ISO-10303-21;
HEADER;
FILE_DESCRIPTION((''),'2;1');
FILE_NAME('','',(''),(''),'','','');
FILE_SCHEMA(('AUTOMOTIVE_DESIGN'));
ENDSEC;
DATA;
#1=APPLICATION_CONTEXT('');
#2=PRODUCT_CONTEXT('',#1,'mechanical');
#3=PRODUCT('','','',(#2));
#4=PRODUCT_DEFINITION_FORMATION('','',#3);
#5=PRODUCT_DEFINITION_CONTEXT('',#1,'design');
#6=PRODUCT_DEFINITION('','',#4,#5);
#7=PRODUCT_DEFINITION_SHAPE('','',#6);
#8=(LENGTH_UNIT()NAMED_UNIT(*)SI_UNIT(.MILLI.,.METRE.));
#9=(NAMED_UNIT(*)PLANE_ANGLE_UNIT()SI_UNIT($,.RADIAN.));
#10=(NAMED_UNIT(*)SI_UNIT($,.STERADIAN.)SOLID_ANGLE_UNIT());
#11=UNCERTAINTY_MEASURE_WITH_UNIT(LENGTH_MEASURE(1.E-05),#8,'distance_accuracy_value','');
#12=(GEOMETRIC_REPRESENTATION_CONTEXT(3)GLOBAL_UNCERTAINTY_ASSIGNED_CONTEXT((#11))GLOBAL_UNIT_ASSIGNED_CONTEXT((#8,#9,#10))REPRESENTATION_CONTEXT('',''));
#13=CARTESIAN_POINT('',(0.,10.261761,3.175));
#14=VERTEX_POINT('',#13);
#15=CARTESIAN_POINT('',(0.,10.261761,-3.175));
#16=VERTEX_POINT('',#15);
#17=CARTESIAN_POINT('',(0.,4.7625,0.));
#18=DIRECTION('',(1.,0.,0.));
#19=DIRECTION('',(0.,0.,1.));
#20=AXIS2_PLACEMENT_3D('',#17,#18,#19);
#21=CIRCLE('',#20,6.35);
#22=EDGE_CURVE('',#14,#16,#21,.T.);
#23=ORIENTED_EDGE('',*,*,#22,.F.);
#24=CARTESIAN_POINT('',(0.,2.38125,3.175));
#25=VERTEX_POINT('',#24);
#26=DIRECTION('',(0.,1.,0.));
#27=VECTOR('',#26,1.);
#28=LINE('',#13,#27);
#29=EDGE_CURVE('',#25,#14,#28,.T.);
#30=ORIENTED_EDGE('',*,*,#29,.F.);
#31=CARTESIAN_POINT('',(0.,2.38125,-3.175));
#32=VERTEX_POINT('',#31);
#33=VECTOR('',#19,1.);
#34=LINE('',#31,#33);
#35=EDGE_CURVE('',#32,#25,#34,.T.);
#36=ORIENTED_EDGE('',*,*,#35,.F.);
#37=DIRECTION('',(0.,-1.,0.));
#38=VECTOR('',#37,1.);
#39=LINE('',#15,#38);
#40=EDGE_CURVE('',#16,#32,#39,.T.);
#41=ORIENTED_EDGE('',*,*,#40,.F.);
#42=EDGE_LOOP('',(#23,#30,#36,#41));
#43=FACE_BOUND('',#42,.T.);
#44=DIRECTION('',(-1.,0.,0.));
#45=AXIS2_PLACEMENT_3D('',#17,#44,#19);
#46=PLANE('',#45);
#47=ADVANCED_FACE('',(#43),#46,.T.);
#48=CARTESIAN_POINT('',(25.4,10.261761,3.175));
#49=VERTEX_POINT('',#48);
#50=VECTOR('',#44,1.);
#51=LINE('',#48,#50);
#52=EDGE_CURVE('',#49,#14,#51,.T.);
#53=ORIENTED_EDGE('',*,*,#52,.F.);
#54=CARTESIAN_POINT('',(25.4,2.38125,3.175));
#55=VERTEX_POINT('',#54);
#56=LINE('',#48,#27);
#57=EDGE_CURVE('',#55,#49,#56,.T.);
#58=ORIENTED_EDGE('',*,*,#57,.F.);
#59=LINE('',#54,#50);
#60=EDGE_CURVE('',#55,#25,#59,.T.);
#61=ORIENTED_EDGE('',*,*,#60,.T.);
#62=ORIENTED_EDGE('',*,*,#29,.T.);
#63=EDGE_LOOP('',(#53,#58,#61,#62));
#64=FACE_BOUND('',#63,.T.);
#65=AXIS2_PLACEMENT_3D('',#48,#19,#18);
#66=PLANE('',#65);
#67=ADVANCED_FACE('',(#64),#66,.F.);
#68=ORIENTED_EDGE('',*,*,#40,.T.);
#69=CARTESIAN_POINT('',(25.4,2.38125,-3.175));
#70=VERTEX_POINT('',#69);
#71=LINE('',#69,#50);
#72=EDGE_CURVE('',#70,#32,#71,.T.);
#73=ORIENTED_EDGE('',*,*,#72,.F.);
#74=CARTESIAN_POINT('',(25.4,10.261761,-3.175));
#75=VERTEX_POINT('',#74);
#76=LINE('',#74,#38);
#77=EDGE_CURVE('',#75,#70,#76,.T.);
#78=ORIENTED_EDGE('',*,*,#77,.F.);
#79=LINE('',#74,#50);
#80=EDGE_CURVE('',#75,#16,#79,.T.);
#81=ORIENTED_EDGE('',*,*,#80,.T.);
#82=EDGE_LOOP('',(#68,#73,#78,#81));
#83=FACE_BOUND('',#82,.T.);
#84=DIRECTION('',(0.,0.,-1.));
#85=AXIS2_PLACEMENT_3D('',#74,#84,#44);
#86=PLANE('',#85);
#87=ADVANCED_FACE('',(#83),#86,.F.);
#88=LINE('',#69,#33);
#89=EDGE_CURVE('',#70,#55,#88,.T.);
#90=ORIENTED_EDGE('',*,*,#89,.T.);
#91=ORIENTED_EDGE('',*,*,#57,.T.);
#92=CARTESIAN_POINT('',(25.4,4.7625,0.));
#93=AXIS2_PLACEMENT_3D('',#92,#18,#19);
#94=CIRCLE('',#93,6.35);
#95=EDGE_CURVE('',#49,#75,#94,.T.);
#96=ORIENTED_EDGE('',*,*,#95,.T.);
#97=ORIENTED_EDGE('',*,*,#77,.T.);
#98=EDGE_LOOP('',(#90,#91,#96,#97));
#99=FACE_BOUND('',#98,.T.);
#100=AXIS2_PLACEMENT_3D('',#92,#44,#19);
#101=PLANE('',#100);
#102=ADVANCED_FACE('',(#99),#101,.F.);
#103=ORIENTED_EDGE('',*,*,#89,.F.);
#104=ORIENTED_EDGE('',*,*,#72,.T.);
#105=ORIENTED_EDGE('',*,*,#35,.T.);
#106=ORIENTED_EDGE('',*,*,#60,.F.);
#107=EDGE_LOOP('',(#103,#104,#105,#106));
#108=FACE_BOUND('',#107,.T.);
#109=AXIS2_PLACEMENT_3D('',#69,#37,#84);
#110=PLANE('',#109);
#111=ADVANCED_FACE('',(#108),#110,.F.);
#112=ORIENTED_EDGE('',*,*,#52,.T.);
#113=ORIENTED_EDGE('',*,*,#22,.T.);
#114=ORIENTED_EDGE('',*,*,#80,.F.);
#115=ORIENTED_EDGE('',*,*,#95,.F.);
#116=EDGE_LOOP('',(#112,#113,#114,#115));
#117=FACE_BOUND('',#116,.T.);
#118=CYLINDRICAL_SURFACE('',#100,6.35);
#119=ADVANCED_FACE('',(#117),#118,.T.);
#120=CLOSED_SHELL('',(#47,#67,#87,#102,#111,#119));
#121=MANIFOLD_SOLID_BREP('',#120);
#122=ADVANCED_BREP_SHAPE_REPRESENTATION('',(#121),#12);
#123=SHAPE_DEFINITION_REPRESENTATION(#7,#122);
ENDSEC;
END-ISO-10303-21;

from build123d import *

# Parameters (mm, degrees)
BOSS_EXTRUDE1_DEPTH = 25.4


with BuildPart() as part:
    # Sketch1 → Boss-Extrude1 (new body)
    with BuildSketch(Plane(origin=(0, 0, 0), x_dir=(0, 0, -1), z_dir=(1, 0, 0))):
        with BuildLine():
            Line((3.175, 2.38125), (-3.175, 2.38125))
            Line((-3.175, 2.38125), (-3.175, 10.261761314))
            ThreePointArc((-3.175, 10.261761314), (0, -1.5875), (3.175, 10.261761314))
            Line((3.175, 10.261761314), (3.175, 2.38125))
        make_face()
    extrude(amount=BOSS_EXTRUDE1_DEPTH)


solid = part.part
